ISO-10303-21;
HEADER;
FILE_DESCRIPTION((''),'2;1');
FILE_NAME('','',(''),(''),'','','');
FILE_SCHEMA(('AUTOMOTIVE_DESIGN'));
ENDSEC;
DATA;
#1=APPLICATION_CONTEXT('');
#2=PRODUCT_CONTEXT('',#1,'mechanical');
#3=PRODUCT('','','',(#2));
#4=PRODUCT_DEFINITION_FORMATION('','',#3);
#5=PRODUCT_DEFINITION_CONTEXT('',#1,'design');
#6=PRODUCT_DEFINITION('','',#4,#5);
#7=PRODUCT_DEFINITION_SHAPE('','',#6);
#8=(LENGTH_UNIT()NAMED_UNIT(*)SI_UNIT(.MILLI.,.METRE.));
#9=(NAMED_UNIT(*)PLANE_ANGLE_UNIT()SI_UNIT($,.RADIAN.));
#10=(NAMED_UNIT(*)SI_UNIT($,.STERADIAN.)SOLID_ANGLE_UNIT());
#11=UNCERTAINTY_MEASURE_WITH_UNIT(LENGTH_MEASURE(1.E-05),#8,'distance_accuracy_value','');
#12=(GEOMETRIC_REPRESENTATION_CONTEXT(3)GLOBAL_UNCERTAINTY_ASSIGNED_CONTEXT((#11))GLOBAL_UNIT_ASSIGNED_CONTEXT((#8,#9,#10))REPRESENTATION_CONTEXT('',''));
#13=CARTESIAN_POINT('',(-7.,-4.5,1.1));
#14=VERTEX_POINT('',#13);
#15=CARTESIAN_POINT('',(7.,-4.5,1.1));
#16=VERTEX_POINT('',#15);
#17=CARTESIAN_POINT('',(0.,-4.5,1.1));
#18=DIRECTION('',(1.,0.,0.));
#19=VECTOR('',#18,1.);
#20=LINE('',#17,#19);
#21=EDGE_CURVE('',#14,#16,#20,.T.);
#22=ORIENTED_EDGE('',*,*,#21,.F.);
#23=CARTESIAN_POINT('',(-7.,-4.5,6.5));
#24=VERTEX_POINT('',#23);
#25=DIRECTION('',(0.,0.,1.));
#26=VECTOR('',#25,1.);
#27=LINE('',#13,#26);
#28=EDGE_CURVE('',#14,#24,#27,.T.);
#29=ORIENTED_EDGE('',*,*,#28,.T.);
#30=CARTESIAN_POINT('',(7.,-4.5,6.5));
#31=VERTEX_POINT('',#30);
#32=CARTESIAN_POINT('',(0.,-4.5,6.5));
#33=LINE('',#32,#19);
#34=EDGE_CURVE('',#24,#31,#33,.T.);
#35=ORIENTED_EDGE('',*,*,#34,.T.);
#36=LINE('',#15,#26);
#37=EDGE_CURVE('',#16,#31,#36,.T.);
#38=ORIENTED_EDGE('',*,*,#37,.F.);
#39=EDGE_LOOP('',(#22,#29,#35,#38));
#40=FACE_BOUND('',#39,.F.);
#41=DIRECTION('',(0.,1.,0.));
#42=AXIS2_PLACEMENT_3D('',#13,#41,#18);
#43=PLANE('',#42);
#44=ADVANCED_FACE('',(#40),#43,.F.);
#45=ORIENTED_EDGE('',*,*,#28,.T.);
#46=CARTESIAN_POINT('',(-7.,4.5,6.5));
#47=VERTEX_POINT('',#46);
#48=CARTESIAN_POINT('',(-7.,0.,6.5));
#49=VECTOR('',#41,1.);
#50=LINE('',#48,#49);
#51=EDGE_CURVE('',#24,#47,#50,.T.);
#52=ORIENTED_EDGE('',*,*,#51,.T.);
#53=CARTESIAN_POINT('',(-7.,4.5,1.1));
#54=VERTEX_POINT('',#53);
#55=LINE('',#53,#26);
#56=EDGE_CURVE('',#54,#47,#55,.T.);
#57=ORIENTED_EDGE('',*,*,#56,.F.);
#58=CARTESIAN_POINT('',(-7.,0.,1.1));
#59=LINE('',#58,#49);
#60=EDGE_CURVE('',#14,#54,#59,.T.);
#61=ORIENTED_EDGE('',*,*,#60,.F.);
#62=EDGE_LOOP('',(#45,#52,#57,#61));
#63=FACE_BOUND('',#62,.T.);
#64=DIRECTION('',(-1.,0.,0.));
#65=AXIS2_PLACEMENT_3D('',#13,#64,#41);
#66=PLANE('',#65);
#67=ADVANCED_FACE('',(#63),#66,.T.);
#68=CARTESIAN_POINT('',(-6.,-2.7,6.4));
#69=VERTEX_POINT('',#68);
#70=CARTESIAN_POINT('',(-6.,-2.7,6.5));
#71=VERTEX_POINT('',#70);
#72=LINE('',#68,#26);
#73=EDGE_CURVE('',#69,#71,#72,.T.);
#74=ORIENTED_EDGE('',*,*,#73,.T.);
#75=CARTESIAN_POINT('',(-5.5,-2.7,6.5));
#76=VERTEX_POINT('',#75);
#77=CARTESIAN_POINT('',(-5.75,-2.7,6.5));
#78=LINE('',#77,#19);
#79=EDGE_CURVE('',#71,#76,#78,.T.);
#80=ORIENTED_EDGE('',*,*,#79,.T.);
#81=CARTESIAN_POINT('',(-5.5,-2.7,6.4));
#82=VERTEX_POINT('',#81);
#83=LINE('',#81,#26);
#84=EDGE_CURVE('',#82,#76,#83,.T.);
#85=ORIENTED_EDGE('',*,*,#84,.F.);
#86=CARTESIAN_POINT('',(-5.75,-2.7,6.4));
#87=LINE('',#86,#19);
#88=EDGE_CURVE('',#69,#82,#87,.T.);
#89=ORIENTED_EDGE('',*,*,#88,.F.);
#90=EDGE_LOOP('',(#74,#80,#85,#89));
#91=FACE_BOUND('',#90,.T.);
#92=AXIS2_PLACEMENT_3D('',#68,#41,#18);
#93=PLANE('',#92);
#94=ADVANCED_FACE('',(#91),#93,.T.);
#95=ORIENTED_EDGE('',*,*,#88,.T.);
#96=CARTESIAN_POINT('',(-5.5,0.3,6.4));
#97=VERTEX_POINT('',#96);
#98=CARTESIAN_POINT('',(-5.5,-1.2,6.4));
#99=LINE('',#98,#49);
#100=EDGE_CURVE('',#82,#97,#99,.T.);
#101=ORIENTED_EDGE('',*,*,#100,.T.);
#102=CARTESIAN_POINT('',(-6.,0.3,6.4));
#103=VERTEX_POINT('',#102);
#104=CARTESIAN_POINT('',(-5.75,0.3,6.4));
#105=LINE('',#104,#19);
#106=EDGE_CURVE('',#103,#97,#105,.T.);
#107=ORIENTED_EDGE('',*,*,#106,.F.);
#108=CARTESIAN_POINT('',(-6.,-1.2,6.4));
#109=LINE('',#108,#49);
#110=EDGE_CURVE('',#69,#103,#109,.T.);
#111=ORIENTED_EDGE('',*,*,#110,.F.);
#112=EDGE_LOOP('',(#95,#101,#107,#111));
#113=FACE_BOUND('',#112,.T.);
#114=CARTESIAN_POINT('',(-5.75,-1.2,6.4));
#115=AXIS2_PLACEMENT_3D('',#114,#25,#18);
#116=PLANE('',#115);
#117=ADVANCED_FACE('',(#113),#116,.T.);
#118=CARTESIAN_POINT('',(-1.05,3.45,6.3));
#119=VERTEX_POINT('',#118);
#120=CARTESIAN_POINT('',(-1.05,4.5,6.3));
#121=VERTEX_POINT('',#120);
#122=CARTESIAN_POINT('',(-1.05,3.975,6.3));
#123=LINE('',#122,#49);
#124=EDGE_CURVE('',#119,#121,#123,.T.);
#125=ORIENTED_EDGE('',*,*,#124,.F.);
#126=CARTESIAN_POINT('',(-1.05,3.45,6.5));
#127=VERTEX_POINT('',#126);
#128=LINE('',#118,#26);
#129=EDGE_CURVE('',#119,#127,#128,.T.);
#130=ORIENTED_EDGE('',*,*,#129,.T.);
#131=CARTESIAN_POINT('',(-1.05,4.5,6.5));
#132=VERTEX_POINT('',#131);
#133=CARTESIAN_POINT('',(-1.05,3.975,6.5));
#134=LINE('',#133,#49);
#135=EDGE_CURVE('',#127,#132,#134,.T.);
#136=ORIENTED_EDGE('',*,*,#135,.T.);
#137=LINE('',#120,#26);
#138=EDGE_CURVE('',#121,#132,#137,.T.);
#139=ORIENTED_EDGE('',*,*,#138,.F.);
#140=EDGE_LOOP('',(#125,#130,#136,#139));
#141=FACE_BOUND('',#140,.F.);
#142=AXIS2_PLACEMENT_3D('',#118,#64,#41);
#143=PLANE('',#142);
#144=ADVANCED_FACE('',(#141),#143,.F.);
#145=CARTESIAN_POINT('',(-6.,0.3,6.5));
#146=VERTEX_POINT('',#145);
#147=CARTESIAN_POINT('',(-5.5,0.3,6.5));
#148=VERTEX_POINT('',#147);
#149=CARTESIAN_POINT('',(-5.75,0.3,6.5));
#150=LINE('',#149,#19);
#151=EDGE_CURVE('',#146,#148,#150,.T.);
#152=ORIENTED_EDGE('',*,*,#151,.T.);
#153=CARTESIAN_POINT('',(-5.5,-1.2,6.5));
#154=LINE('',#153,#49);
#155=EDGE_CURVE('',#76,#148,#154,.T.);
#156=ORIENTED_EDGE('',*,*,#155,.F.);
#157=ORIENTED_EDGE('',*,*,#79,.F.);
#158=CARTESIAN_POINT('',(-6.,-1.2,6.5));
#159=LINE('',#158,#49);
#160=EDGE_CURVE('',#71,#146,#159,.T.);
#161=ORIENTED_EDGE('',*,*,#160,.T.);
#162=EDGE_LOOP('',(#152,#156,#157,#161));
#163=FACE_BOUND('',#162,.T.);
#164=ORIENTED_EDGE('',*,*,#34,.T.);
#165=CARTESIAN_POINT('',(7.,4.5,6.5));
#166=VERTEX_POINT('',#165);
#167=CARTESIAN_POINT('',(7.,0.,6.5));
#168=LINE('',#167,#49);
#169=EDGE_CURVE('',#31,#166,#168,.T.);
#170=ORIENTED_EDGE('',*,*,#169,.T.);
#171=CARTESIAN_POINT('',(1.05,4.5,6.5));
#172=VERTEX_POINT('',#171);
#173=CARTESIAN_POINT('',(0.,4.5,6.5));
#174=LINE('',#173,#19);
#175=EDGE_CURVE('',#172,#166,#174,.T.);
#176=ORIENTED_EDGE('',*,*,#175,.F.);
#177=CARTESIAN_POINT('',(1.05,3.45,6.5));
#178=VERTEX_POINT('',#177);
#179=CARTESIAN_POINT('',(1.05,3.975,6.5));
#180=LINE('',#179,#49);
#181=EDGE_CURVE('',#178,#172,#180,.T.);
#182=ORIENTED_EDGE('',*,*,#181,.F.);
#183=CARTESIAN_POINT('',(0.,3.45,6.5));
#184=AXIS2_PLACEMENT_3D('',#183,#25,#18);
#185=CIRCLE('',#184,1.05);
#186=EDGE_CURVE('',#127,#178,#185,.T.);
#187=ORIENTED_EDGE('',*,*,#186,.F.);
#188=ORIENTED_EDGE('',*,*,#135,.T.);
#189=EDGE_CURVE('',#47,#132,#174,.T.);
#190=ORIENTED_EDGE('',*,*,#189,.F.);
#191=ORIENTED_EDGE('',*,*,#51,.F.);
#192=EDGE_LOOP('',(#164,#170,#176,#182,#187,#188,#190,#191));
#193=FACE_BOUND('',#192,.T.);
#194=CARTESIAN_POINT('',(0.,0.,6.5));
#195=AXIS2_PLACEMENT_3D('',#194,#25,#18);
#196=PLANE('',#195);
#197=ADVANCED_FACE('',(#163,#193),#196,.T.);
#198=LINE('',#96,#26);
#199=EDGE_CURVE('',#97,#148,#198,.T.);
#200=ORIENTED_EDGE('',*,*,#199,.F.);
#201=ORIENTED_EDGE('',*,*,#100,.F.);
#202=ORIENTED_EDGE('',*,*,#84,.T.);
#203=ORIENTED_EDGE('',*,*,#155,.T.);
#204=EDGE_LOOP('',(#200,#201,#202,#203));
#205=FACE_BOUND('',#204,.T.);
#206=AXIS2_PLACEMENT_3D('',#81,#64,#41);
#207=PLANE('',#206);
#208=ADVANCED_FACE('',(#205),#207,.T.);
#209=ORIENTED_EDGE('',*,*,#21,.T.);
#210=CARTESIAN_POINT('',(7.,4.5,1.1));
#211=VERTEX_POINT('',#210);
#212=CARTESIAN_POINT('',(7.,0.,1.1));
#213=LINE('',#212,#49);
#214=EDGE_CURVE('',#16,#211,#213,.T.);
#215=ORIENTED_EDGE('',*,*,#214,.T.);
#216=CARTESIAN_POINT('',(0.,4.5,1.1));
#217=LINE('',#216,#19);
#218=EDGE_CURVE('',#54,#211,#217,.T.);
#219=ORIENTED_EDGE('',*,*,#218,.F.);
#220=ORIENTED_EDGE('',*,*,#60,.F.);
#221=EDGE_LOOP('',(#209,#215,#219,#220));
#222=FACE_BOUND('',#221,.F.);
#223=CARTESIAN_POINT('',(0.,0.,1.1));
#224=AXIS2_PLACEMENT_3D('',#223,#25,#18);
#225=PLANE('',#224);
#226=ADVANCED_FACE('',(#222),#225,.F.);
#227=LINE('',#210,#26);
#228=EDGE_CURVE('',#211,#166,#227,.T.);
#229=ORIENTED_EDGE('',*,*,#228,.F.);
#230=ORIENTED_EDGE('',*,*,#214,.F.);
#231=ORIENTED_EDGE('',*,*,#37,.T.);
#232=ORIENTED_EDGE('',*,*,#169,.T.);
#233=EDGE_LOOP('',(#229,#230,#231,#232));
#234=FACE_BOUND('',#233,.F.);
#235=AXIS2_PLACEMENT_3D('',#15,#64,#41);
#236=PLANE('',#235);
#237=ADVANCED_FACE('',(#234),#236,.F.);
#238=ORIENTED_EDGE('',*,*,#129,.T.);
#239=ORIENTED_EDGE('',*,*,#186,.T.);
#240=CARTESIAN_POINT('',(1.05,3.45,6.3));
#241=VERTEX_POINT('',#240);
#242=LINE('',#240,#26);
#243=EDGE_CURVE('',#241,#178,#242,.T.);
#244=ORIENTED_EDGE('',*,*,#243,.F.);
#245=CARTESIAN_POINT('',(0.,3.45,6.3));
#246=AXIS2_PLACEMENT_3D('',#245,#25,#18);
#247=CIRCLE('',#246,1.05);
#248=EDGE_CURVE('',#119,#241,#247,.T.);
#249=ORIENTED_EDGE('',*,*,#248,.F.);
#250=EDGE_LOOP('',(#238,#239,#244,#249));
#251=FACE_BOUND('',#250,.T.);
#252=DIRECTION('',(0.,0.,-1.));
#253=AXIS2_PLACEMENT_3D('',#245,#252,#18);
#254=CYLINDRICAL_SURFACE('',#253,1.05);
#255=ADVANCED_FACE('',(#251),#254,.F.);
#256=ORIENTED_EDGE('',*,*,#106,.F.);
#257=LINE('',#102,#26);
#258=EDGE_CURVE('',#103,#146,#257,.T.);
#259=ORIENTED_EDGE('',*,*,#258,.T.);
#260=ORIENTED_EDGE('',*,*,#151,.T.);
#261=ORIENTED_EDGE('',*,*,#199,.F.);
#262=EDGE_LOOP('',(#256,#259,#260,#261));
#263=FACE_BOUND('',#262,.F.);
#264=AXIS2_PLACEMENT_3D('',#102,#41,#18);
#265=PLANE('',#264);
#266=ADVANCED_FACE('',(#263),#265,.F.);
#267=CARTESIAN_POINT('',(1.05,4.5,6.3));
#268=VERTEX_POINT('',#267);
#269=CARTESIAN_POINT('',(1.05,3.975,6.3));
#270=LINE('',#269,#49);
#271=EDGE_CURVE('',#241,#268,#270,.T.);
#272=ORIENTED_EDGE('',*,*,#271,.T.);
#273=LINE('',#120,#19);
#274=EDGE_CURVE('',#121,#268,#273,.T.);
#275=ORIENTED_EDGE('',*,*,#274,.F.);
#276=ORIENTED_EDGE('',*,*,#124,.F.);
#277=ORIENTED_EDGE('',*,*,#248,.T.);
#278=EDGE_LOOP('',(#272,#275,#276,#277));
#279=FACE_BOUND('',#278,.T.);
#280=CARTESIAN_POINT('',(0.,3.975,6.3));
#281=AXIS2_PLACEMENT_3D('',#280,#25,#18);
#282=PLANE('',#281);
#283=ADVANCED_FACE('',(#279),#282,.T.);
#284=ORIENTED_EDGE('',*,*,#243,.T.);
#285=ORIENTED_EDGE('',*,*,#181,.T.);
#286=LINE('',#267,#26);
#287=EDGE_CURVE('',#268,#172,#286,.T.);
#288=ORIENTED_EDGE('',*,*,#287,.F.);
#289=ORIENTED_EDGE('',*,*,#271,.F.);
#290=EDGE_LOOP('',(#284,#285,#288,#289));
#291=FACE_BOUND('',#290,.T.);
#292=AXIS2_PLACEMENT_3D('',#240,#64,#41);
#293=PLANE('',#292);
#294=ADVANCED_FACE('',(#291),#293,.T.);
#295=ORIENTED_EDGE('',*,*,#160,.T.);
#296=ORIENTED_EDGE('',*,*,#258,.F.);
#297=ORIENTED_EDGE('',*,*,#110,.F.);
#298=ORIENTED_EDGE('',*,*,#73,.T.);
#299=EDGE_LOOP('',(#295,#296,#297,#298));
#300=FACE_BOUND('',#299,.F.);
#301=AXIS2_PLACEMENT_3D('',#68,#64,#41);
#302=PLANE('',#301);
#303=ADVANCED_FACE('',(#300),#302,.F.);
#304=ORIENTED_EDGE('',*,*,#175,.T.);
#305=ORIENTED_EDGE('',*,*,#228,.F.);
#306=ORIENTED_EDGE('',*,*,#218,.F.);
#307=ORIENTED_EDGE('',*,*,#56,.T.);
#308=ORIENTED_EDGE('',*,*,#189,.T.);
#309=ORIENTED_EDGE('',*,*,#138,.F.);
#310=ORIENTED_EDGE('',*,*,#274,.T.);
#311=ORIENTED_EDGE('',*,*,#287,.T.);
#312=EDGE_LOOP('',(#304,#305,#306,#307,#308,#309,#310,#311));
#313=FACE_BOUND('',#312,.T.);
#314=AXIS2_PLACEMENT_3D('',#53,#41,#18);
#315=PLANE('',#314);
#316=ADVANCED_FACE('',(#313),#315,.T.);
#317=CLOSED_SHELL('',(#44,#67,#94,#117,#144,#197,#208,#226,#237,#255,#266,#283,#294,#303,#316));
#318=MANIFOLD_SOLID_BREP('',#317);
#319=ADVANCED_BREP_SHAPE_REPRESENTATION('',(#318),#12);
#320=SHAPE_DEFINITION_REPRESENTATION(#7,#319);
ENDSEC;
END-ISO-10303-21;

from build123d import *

# Parameters (mm, degrees)
CYLINDER_R     = 1.05
CYLINDER_DEPTH = 0.2
BOX003_W       = 2.1
BOX003_H       = 1.05
BOX003_DEPTH   = 0.2
BOX002_W       = 0.5
BOX002_H       = 3
BOX002_DEPTH   = 0.1
BOX_W          = 14
BOX_H          = 9
BOX_DEPTH      = 5.4


with BuildPart() as cylinder:
    # Cylinder → Cylinder (new body)
    with BuildSketch(Plane(origin=(0, 3.45, 6.3), x_dir=(1, 0, 0), z_dir=(0, 0, 1))):
        Circle(CYLINDER_R)
    extrude(amount=CYLINDER_DEPTH)


with BuildPart() as fusion:
    # Box003 → Box003 (new body)
    with BuildSketch(Plane(origin=(-1.05, 3.45, 6.3), x_dir=(1, 0, 0), z_dir=(0, 0, 1))):
        with Locations((1.05, 0.525)):
            Rectangle(BOX003_W, BOX003_H)
    extrude(amount=BOX003_DEPTH)

    # Fusion: union Cylinder
    add(cylinder.part)


with BuildPart() as bodystripe001:
    # Box002 → Box002 (new body)
    with BuildSketch(Plane(origin=(-6, -2.7, 6.4), x_dir=(1, 0, 0), z_dir=(0, 0, 1))):
        with Locations((0.25, 1.5)):
            Rectangle(BOX002_W, BOX002_H)
    extrude(amount=BOX002_DEPTH)


with BuildPart() as cut001:
    # Box → Box (new body)
    with BuildSketch(Plane(origin=(-7, -4.5, 1.1), x_dir=(1, 0, 0), z_dir=(0, 0, 1))):
        with Locations((7, 4.5)):
            Rectangle(BOX_W, BOX_H)
    extrude(amount=BOX_DEPTH)

    # Cut: cut BodyStripe001
    add(bodystripe001.part, mode=Mode.SUBTRACT)

    # Cut001: cut Fusion
    add(fusion.part, mode=Mode.SUBTRACT)


solid = cut001.part
